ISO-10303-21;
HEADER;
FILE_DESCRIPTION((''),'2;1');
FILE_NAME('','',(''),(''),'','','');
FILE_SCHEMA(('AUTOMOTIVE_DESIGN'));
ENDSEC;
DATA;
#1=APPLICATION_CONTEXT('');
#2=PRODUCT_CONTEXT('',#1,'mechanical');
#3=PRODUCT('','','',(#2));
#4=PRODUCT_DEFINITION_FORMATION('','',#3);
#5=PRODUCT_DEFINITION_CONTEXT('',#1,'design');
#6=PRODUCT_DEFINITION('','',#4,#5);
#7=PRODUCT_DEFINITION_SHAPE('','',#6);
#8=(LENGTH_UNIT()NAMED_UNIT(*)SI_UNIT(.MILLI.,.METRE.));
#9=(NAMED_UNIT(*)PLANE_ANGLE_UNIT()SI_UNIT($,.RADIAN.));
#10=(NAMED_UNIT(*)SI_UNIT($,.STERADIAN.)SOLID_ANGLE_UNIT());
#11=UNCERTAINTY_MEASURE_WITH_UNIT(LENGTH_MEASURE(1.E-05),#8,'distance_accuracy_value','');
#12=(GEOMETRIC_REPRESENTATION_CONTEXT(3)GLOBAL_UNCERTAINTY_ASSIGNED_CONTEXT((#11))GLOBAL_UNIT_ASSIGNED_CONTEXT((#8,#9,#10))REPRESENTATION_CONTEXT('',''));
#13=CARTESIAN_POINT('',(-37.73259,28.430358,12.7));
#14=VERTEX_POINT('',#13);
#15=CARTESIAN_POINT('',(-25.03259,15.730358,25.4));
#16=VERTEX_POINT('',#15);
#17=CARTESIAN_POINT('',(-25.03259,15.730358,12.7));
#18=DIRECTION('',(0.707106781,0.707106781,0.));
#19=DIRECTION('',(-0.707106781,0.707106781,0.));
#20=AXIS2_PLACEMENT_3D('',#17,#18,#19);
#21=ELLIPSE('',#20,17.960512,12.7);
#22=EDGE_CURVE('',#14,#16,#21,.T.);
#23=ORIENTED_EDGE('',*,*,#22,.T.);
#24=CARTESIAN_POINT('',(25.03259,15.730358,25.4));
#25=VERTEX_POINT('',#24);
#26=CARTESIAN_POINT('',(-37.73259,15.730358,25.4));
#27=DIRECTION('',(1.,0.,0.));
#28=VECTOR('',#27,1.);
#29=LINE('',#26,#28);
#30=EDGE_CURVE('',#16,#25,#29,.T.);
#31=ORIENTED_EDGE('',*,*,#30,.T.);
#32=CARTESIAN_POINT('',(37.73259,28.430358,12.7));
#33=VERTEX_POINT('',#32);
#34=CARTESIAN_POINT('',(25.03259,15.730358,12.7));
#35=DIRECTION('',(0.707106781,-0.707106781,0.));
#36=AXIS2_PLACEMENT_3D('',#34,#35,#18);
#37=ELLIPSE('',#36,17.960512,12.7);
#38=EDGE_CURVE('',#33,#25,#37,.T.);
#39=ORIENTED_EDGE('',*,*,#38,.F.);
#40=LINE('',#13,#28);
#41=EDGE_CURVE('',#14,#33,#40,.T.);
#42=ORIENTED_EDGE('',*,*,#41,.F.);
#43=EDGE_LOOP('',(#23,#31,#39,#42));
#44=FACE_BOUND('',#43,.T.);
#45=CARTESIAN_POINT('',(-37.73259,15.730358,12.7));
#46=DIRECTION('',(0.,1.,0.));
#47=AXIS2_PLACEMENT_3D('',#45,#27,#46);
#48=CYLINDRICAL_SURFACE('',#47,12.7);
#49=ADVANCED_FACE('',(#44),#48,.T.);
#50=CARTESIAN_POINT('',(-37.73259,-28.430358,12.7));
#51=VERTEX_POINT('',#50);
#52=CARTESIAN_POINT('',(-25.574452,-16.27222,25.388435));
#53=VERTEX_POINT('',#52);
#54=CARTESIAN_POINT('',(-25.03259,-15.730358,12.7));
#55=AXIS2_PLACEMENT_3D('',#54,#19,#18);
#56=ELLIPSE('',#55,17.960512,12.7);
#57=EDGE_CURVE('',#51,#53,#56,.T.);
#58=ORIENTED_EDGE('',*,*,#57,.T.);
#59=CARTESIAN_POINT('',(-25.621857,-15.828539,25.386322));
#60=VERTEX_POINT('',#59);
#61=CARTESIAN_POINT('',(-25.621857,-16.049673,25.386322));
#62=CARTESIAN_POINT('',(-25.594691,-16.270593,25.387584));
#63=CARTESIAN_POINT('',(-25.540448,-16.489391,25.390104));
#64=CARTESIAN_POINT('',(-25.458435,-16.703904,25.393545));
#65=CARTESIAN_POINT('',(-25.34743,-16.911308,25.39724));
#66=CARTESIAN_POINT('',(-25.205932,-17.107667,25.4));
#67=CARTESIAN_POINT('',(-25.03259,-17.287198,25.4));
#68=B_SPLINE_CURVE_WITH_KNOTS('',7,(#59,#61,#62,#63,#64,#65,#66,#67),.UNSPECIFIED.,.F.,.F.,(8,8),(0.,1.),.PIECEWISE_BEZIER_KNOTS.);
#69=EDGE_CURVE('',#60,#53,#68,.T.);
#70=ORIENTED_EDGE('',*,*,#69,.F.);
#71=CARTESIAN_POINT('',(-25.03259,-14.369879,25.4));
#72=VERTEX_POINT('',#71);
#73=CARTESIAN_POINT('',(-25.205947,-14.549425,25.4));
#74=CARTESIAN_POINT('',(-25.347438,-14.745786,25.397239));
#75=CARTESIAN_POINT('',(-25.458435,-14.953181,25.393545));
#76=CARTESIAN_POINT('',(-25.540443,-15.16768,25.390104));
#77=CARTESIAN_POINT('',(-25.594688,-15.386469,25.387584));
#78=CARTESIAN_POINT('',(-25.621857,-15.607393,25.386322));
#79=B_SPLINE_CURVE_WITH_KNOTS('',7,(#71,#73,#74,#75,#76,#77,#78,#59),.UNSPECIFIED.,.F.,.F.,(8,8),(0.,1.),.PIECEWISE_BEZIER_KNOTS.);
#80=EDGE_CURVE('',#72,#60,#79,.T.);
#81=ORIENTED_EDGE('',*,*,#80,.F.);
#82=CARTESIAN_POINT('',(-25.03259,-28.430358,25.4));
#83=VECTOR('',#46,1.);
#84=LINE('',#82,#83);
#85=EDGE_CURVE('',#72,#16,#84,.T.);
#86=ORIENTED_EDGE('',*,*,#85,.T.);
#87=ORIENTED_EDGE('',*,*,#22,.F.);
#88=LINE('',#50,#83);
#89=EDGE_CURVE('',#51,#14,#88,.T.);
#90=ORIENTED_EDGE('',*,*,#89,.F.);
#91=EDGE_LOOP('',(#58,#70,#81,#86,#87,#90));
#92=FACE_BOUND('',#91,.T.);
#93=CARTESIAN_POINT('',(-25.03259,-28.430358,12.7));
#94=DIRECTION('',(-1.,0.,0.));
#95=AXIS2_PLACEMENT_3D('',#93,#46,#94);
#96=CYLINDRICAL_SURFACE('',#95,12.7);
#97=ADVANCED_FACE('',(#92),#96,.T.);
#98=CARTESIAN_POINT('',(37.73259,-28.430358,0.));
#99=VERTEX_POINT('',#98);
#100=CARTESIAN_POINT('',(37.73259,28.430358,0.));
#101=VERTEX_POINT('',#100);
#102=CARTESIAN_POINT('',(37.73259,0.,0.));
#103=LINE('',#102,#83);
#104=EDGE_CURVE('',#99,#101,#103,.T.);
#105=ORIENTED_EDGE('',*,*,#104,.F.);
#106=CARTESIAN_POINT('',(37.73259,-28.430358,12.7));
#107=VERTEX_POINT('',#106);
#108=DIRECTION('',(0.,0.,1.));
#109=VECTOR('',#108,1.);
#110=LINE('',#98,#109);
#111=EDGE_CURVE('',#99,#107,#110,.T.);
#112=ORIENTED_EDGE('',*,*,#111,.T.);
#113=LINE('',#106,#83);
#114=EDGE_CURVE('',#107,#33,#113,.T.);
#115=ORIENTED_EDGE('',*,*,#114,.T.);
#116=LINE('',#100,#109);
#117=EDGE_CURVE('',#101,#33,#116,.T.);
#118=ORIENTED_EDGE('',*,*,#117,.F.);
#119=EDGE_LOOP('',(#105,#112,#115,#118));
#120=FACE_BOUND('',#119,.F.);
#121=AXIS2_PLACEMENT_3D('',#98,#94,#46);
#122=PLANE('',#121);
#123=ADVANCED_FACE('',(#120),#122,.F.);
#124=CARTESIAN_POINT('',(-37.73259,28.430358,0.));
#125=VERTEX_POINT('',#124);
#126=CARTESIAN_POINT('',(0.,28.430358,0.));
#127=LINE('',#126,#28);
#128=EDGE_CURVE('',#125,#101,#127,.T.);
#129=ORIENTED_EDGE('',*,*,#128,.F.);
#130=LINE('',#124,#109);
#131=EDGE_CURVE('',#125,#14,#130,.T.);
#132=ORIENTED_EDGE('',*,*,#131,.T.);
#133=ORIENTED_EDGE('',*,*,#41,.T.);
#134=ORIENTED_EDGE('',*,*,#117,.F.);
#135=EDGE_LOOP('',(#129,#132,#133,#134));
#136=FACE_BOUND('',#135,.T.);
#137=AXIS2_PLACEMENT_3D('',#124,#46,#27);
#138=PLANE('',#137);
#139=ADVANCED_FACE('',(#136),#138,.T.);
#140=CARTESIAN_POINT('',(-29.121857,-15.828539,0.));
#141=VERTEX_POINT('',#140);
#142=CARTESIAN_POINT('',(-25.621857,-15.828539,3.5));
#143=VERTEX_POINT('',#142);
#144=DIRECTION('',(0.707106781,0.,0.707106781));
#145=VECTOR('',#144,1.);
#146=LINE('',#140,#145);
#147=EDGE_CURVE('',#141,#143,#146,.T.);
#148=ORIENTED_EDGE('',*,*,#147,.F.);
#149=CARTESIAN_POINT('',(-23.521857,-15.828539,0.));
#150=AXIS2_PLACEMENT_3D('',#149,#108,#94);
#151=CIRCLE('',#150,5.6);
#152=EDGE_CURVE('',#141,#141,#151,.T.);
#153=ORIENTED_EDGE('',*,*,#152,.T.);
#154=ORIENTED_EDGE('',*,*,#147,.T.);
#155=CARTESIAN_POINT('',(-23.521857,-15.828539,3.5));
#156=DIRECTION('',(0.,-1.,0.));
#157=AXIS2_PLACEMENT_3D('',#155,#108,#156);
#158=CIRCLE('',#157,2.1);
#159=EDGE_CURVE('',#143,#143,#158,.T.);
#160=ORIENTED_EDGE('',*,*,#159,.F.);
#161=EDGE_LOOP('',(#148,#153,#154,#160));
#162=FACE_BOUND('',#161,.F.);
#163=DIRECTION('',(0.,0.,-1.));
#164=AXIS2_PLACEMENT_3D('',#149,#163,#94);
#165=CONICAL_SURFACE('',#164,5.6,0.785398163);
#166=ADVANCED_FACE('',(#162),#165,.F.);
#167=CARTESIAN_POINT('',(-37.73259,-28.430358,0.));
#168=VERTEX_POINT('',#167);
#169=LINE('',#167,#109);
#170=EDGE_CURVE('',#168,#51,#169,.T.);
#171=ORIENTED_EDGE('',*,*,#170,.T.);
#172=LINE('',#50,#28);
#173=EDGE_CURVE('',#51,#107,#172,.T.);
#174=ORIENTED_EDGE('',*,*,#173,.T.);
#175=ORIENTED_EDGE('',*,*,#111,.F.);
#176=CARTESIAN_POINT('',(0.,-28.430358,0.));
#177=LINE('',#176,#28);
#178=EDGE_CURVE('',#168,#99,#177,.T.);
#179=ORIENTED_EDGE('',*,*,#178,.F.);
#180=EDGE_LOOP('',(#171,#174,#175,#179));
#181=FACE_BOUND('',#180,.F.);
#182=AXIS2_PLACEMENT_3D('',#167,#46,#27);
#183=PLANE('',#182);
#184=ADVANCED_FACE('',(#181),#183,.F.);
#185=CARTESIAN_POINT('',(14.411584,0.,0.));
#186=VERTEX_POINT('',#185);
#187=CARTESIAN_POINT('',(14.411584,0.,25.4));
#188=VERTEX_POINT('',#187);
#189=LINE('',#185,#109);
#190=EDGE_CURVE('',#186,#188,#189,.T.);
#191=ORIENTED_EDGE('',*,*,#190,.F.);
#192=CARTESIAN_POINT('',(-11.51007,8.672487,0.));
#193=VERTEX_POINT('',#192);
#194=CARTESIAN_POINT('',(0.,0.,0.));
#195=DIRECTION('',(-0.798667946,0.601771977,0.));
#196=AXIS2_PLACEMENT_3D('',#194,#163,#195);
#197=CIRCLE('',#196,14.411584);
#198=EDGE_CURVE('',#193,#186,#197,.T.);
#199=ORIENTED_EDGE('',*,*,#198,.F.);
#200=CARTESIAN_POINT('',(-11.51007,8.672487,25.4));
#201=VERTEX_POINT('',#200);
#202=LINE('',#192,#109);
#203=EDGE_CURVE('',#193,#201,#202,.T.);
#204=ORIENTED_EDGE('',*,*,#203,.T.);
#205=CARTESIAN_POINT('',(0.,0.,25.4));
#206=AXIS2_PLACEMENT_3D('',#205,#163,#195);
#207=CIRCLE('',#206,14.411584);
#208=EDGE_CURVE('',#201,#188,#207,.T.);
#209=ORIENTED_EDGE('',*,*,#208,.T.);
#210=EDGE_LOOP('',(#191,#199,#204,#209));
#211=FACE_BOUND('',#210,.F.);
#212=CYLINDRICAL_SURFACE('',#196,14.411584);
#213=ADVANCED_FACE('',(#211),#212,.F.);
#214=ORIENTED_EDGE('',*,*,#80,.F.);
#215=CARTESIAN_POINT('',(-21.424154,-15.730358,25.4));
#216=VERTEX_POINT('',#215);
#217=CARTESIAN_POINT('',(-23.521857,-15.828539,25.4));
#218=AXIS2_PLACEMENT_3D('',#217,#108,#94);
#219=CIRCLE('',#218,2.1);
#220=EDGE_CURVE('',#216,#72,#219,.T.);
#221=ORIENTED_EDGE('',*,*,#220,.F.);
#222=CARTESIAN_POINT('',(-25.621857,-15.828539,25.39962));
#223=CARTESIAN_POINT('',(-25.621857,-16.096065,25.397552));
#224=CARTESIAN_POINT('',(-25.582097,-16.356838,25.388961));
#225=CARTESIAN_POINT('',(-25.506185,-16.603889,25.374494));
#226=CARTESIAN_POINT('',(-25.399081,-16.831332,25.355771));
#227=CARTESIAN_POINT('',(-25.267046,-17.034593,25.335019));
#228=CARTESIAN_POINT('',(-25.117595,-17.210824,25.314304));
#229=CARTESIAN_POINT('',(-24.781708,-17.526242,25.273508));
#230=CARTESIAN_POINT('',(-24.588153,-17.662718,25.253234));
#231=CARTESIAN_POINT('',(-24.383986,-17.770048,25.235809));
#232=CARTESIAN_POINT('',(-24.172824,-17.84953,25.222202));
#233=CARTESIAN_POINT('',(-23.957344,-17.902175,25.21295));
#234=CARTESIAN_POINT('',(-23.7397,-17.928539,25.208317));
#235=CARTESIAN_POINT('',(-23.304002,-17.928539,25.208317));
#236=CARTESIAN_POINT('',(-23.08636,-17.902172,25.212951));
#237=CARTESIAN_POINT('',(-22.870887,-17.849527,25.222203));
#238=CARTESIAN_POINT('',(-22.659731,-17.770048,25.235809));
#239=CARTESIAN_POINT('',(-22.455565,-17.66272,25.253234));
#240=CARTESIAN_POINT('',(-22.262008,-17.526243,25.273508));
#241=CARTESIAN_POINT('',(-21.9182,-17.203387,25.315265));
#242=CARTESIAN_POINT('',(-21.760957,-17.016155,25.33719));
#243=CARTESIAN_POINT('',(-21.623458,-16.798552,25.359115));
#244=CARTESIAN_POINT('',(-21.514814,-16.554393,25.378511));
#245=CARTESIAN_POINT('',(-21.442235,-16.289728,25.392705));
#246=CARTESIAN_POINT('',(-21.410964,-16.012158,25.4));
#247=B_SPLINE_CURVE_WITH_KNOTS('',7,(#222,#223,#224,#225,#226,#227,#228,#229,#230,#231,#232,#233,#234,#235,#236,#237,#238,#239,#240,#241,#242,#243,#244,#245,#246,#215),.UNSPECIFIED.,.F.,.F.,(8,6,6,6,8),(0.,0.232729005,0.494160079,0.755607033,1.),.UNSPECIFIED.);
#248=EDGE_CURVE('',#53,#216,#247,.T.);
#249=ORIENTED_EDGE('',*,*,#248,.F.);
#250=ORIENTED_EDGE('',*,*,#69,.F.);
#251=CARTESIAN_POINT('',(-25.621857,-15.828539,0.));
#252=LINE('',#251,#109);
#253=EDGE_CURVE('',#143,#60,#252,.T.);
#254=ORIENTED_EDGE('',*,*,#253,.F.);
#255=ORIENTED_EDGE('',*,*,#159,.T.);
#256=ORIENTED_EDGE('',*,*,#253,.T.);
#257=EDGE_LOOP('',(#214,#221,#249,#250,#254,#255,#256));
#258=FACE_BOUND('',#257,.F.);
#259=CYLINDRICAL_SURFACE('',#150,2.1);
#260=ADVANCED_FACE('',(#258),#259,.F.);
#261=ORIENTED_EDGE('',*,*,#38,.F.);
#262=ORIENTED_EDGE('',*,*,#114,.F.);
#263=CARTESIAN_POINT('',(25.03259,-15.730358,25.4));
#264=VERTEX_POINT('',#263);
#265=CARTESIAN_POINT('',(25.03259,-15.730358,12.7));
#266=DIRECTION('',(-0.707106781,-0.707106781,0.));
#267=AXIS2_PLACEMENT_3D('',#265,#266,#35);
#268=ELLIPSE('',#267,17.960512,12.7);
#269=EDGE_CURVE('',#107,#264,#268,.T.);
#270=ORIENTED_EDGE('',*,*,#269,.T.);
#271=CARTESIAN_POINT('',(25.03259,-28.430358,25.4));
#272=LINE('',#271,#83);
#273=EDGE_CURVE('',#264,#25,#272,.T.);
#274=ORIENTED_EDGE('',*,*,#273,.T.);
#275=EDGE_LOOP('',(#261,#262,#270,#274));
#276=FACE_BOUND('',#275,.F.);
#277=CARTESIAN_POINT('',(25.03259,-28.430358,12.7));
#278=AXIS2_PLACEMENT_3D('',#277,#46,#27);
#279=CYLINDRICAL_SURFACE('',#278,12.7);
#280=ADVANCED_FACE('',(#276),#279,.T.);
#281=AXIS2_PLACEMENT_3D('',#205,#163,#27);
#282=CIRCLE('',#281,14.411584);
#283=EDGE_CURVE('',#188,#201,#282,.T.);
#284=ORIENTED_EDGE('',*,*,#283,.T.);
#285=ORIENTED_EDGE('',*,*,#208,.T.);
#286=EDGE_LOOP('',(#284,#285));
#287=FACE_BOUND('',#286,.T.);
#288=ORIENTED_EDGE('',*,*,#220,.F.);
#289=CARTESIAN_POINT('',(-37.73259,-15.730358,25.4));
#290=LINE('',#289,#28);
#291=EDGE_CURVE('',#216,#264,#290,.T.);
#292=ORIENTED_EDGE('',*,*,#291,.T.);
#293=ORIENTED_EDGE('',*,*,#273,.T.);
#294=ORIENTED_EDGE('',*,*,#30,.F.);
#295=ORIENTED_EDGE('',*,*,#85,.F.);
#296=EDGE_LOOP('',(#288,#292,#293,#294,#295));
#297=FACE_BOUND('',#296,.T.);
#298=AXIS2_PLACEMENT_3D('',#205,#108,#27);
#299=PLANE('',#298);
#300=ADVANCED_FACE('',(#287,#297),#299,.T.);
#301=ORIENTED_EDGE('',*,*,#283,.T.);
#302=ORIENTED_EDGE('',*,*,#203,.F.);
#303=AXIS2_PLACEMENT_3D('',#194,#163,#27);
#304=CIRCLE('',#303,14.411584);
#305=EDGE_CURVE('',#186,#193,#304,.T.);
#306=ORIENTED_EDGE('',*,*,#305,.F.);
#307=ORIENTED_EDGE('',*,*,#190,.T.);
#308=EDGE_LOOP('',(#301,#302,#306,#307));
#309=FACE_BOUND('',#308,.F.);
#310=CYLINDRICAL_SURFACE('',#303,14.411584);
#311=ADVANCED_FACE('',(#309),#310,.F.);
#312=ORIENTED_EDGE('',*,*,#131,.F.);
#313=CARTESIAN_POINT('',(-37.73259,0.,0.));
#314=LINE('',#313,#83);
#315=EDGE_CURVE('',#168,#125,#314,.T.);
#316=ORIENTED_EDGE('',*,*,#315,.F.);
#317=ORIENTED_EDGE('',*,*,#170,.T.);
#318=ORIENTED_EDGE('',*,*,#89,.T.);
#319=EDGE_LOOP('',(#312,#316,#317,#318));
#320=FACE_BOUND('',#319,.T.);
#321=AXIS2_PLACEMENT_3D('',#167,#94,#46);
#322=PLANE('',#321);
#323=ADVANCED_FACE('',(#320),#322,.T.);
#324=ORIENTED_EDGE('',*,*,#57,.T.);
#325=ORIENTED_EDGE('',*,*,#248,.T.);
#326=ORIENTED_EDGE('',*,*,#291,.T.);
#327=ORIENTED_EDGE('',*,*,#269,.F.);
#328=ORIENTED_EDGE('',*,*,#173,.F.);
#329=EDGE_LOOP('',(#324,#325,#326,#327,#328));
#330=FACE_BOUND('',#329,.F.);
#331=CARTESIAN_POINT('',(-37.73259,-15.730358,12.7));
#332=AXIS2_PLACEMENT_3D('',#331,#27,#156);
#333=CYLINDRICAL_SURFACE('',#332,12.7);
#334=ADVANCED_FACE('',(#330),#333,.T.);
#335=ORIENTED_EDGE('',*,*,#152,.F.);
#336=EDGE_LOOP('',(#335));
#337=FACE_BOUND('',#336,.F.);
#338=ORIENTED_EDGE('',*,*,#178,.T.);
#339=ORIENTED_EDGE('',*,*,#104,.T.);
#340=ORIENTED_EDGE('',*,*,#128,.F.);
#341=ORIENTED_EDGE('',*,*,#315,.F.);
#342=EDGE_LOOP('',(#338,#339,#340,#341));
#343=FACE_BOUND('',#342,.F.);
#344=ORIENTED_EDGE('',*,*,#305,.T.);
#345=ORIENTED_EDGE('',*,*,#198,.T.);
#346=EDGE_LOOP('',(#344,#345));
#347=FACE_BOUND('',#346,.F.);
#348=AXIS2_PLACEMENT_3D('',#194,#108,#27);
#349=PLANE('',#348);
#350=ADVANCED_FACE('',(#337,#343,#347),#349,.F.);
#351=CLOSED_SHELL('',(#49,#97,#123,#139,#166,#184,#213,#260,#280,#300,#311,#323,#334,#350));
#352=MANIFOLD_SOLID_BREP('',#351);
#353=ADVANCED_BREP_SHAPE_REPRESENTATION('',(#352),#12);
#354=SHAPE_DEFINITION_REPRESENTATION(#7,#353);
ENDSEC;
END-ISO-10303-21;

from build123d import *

# Parameters (mm, degrees)
F0_W           = 75.4651799798
F0_H           = 56.8607151508
F1_DEPTH       = 25.4
F2_R           = 12.7
F4_D           = 4.2
F4_CSINK_D     = 11.2
F4_CSINK_ANGLE = 90


with BuildPart() as f1:
    # F0 (on Top) → F1 (new body)
    with BuildSketch(Plane.XY):
        Rectangle(F0_W, F0_H)
        with BuildLine():
            ThreePointArc((14.4115838808, 0), (-4.5724943597, -13.6669691331), (-11.5100700927, 8.6724873257))
            ThreePointArc((-11.5100700927, 8.6724873257), (4.5724943597, 13.6669691331), (14.4115838808, 0))
        make_face(mode=Mode.SUBTRACT)
    extrude(amount=F1_DEPTH)

    # F2
    f2_edges = [f1.edges().sort_by_distance(p)[0] for p in [
        (0, -28.430358, 25.4),
        (-37.73259, 0, 25.4),
        (0, 28.430358, 25.4),
        (37.73259, 0, 25.4),
    ]]
    fillet(f2_edges, radius=F2_R)

    # F4 (through all)
    with Locations(Plane(origin=(0, 0, 0), x_dir=(1, 0, 0), z_dir=(0, 0, -1))):
        with Locations((-23.5218573362, 15.828538686)):
            CounterSinkHole(F4_D / 2, F4_CSINK_D / 2, counter_sink_angle=F4_CSINK_ANGLE)


solid = f1.part
